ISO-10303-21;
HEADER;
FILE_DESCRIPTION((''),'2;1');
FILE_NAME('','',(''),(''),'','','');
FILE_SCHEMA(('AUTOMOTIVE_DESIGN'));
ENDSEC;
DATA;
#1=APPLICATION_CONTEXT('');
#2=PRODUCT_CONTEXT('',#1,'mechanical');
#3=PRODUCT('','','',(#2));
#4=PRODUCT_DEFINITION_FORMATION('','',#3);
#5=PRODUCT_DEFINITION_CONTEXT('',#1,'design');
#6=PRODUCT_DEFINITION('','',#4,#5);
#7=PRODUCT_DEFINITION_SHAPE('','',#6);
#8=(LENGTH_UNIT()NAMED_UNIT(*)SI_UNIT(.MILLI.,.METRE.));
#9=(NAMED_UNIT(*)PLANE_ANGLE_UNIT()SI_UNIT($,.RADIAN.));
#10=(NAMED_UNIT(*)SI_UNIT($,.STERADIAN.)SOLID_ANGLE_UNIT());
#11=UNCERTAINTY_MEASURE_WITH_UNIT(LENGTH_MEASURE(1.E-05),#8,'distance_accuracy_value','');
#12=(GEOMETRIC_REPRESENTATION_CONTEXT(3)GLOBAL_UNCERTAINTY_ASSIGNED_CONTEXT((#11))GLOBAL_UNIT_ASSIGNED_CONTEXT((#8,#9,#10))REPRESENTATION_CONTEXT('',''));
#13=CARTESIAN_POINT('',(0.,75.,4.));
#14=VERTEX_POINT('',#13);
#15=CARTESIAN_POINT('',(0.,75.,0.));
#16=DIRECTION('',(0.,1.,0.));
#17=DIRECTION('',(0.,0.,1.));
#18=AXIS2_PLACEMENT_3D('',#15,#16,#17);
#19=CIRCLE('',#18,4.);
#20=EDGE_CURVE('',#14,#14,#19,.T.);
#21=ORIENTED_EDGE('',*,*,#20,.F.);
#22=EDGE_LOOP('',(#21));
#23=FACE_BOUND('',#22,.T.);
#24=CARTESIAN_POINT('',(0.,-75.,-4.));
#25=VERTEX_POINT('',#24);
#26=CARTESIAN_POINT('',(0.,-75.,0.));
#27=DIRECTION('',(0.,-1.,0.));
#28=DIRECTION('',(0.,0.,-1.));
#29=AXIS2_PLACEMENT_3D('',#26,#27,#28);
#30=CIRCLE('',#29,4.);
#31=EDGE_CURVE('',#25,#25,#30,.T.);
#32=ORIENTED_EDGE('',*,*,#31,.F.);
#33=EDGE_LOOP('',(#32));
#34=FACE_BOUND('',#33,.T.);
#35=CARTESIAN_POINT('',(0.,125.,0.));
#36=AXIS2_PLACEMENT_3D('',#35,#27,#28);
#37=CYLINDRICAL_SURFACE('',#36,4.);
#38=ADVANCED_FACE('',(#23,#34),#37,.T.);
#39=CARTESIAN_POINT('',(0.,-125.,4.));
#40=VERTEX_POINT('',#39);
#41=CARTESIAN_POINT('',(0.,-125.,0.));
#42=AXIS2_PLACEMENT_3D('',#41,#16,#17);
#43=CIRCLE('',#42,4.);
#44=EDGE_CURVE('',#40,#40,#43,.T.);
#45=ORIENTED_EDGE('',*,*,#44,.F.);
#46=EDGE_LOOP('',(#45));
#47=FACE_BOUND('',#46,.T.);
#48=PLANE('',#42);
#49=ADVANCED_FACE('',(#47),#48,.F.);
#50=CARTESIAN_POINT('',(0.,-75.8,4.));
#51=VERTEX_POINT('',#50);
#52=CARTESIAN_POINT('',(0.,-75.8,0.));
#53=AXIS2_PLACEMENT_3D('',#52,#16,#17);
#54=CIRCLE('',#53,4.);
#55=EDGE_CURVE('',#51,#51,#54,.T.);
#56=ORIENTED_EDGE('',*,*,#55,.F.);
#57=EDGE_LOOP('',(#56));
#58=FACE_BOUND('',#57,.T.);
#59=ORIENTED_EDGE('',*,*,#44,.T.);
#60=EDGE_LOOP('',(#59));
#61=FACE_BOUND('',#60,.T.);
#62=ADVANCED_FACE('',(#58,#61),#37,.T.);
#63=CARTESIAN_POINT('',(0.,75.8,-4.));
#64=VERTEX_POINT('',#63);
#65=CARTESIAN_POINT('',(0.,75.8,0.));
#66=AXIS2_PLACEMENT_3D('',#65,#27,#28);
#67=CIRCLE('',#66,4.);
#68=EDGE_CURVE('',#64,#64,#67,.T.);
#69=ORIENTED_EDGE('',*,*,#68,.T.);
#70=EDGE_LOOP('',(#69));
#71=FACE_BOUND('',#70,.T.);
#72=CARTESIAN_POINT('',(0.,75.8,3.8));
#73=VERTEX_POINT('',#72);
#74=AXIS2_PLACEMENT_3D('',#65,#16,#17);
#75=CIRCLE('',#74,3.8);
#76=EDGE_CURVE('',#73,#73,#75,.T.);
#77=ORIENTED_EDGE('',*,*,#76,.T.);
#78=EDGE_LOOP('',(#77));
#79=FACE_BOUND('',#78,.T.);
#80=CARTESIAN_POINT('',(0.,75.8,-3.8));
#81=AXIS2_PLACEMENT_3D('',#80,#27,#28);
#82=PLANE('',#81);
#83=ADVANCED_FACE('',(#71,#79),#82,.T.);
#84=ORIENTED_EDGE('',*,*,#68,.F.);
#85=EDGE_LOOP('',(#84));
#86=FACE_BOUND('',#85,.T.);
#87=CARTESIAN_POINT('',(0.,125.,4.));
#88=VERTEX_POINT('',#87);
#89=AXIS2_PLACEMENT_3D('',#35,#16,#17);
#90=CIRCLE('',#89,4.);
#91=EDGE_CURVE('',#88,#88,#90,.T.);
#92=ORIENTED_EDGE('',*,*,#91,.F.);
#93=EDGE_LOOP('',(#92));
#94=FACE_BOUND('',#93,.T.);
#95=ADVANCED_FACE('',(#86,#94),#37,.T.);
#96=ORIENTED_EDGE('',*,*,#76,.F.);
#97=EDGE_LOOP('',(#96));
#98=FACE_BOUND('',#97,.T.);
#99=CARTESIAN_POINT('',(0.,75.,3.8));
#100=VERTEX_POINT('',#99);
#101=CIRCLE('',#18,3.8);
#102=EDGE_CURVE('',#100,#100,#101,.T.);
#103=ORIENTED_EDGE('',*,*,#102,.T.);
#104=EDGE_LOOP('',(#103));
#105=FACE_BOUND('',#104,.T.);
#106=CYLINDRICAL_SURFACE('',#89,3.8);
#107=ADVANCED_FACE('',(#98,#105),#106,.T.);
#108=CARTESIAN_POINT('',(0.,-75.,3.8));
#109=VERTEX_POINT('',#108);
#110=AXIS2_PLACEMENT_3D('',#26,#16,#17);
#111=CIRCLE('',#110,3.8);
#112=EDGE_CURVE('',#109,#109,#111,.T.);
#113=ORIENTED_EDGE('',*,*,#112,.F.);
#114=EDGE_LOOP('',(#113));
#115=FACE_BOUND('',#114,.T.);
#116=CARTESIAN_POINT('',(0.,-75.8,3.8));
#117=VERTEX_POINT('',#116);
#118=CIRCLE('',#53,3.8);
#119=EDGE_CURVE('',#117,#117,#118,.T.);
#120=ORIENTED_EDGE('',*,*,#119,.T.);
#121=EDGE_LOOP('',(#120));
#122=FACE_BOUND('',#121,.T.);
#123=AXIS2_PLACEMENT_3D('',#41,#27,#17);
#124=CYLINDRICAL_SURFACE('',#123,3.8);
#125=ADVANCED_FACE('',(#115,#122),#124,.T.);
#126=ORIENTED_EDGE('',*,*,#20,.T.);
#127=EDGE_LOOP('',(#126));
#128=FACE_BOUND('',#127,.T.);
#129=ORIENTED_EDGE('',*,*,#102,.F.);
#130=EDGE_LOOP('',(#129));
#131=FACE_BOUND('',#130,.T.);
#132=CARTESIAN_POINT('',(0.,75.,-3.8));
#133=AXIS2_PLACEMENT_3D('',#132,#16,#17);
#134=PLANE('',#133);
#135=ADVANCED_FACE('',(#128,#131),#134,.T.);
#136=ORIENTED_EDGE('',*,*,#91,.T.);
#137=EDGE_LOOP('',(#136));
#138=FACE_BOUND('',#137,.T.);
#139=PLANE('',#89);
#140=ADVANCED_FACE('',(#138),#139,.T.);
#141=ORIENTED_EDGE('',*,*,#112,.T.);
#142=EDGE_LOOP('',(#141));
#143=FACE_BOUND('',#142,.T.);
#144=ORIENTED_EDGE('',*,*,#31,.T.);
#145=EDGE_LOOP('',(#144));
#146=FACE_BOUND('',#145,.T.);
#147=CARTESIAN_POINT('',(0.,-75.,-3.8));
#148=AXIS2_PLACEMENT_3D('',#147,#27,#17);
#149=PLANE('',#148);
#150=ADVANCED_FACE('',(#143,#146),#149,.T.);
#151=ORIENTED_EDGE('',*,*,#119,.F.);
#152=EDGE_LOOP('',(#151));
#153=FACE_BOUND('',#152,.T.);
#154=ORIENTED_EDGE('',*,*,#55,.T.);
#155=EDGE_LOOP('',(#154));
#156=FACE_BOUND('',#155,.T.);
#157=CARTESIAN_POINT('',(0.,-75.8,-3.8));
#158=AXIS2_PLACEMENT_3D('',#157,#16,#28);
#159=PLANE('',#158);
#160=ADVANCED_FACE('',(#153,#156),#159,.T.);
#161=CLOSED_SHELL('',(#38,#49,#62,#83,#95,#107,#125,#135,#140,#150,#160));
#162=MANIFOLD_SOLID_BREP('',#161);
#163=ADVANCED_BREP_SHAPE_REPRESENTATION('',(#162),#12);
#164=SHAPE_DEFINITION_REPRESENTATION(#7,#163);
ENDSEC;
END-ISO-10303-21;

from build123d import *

# Parameters (mm, degrees)
SKETCH_1_R      = 4
EXTRUDE_1_DEPTH = 125
SKETCH_3_W      = 5
SKETCH_3_H      = 0.8


with BuildPart() as part:
    # 草图1 → 凸台-拉伸1 (new, symmetric)
    with BuildSketch(Plane(origin=(0, 0, 0), x_dir=(1, 0, 0), z_dir=(0, 1, 0))):
        with Locations(Location((0, 0, 0), (0, 0, 270))):
            Circle(SKETCH_1_R)
    extrude(amount=EXTRUDE_1_DEPTH, both=True)

    # 草图3 → 切除-旋转1 (revolve, cut)
    with BuildSketch(Plane(origin=(0, 0, 0), x_dir=(0, 0, -1), z_dir=(1, 0, 0)), mode=Mode.PRIVATE) as cut_revolve_1_sk:
        with Locations((6.3, 75.4)):
            Rectangle(SKETCH_3_W, SKETCH_3_H)
    cut_revolve_1 = revolve(cut_revolve_1_sk.sketch.rotate(Axis((0, 125, 0), (0, -1, 0)), 180), axis=Axis((0, 125, 0), (0, -1, 0)), mode=Mode.SUBTRACT)

    # 镜向1: 切除-旋转1 across plane
    add(cut_revolve_1.mirror(Plane.ZX), mode=Mode.SUBTRACT)


solid = part.part
